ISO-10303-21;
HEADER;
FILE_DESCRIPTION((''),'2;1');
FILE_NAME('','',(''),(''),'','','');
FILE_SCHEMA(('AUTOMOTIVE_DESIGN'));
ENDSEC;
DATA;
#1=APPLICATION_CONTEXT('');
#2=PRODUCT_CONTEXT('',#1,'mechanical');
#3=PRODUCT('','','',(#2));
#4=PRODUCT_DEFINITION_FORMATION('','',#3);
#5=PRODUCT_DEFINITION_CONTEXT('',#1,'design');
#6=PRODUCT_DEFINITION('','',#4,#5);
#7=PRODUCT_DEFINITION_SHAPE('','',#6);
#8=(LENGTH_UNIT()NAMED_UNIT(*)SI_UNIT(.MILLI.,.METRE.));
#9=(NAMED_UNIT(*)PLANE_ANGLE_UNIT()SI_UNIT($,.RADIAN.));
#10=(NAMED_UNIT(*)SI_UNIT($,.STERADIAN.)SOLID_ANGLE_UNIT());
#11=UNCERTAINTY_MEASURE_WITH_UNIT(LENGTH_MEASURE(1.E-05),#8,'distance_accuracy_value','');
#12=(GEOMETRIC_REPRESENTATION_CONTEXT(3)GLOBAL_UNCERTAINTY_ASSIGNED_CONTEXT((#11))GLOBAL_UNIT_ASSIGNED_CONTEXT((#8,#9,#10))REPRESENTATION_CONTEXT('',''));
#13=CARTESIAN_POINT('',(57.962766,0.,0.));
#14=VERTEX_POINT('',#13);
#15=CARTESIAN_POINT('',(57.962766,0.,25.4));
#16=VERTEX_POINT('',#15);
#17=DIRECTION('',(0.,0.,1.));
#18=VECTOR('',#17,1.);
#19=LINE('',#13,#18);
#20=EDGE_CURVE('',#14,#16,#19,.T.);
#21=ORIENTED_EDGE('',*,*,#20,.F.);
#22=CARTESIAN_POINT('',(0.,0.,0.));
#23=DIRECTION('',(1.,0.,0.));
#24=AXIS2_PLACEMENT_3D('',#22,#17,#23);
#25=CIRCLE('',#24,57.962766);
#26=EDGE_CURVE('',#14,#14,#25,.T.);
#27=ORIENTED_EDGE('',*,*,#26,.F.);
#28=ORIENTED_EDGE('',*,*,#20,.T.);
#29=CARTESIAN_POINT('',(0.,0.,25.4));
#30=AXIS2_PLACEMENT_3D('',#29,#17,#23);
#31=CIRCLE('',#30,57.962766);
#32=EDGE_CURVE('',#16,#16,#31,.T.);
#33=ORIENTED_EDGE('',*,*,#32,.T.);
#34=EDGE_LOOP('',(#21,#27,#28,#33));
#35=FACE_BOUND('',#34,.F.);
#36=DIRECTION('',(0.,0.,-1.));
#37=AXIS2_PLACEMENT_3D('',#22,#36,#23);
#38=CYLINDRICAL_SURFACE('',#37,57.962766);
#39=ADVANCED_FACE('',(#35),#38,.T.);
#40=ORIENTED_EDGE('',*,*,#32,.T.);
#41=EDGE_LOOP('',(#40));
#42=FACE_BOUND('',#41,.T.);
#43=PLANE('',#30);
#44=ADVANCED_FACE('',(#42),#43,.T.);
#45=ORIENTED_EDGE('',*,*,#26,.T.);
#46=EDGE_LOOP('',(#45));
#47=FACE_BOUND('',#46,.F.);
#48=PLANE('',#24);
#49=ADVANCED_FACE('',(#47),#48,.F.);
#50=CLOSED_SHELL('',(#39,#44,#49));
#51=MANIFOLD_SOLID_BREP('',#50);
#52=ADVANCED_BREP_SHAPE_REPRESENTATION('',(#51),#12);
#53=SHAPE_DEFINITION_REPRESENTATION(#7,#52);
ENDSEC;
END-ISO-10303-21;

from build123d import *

# Parameters (mm, degrees)
F0_R      = 57.9627661604
F1_DEPTH  = 25.4
F2_R      = 32.9835616542
F1_FACE_R = 57.9627661604
F3_DEPTH  = 25.4
F4_R      = 57.9627661604
F5_DEPTH  = 25.4


with BuildPart() as f1:
    # F0 (on Top) → F1 (new body)
    with BuildSketch(Plane.XY):
        Circle(F0_R)
    extrude(amount=F1_DEPTH)

    # F2 (on Top) + F1_face (on face) → F3 (join)
    with BuildSketch(Plane.XY):
        Circle(F2_R)
    with BuildSketch(Plane(origin=(0, 0, 0), x_dir=(1, 0, 0), z_dir=(0, 0, -1))):
        Circle(F1_FACE_R)
    extrude(amount=F3_DEPTH, dir=(0, 0, 1))

    # F4 (on Top) → F5 (join)
    with BuildSketch(Plane.XY):
        Circle(F4_R)
    extrude(amount=F5_DEPTH)


solid = f1.part
